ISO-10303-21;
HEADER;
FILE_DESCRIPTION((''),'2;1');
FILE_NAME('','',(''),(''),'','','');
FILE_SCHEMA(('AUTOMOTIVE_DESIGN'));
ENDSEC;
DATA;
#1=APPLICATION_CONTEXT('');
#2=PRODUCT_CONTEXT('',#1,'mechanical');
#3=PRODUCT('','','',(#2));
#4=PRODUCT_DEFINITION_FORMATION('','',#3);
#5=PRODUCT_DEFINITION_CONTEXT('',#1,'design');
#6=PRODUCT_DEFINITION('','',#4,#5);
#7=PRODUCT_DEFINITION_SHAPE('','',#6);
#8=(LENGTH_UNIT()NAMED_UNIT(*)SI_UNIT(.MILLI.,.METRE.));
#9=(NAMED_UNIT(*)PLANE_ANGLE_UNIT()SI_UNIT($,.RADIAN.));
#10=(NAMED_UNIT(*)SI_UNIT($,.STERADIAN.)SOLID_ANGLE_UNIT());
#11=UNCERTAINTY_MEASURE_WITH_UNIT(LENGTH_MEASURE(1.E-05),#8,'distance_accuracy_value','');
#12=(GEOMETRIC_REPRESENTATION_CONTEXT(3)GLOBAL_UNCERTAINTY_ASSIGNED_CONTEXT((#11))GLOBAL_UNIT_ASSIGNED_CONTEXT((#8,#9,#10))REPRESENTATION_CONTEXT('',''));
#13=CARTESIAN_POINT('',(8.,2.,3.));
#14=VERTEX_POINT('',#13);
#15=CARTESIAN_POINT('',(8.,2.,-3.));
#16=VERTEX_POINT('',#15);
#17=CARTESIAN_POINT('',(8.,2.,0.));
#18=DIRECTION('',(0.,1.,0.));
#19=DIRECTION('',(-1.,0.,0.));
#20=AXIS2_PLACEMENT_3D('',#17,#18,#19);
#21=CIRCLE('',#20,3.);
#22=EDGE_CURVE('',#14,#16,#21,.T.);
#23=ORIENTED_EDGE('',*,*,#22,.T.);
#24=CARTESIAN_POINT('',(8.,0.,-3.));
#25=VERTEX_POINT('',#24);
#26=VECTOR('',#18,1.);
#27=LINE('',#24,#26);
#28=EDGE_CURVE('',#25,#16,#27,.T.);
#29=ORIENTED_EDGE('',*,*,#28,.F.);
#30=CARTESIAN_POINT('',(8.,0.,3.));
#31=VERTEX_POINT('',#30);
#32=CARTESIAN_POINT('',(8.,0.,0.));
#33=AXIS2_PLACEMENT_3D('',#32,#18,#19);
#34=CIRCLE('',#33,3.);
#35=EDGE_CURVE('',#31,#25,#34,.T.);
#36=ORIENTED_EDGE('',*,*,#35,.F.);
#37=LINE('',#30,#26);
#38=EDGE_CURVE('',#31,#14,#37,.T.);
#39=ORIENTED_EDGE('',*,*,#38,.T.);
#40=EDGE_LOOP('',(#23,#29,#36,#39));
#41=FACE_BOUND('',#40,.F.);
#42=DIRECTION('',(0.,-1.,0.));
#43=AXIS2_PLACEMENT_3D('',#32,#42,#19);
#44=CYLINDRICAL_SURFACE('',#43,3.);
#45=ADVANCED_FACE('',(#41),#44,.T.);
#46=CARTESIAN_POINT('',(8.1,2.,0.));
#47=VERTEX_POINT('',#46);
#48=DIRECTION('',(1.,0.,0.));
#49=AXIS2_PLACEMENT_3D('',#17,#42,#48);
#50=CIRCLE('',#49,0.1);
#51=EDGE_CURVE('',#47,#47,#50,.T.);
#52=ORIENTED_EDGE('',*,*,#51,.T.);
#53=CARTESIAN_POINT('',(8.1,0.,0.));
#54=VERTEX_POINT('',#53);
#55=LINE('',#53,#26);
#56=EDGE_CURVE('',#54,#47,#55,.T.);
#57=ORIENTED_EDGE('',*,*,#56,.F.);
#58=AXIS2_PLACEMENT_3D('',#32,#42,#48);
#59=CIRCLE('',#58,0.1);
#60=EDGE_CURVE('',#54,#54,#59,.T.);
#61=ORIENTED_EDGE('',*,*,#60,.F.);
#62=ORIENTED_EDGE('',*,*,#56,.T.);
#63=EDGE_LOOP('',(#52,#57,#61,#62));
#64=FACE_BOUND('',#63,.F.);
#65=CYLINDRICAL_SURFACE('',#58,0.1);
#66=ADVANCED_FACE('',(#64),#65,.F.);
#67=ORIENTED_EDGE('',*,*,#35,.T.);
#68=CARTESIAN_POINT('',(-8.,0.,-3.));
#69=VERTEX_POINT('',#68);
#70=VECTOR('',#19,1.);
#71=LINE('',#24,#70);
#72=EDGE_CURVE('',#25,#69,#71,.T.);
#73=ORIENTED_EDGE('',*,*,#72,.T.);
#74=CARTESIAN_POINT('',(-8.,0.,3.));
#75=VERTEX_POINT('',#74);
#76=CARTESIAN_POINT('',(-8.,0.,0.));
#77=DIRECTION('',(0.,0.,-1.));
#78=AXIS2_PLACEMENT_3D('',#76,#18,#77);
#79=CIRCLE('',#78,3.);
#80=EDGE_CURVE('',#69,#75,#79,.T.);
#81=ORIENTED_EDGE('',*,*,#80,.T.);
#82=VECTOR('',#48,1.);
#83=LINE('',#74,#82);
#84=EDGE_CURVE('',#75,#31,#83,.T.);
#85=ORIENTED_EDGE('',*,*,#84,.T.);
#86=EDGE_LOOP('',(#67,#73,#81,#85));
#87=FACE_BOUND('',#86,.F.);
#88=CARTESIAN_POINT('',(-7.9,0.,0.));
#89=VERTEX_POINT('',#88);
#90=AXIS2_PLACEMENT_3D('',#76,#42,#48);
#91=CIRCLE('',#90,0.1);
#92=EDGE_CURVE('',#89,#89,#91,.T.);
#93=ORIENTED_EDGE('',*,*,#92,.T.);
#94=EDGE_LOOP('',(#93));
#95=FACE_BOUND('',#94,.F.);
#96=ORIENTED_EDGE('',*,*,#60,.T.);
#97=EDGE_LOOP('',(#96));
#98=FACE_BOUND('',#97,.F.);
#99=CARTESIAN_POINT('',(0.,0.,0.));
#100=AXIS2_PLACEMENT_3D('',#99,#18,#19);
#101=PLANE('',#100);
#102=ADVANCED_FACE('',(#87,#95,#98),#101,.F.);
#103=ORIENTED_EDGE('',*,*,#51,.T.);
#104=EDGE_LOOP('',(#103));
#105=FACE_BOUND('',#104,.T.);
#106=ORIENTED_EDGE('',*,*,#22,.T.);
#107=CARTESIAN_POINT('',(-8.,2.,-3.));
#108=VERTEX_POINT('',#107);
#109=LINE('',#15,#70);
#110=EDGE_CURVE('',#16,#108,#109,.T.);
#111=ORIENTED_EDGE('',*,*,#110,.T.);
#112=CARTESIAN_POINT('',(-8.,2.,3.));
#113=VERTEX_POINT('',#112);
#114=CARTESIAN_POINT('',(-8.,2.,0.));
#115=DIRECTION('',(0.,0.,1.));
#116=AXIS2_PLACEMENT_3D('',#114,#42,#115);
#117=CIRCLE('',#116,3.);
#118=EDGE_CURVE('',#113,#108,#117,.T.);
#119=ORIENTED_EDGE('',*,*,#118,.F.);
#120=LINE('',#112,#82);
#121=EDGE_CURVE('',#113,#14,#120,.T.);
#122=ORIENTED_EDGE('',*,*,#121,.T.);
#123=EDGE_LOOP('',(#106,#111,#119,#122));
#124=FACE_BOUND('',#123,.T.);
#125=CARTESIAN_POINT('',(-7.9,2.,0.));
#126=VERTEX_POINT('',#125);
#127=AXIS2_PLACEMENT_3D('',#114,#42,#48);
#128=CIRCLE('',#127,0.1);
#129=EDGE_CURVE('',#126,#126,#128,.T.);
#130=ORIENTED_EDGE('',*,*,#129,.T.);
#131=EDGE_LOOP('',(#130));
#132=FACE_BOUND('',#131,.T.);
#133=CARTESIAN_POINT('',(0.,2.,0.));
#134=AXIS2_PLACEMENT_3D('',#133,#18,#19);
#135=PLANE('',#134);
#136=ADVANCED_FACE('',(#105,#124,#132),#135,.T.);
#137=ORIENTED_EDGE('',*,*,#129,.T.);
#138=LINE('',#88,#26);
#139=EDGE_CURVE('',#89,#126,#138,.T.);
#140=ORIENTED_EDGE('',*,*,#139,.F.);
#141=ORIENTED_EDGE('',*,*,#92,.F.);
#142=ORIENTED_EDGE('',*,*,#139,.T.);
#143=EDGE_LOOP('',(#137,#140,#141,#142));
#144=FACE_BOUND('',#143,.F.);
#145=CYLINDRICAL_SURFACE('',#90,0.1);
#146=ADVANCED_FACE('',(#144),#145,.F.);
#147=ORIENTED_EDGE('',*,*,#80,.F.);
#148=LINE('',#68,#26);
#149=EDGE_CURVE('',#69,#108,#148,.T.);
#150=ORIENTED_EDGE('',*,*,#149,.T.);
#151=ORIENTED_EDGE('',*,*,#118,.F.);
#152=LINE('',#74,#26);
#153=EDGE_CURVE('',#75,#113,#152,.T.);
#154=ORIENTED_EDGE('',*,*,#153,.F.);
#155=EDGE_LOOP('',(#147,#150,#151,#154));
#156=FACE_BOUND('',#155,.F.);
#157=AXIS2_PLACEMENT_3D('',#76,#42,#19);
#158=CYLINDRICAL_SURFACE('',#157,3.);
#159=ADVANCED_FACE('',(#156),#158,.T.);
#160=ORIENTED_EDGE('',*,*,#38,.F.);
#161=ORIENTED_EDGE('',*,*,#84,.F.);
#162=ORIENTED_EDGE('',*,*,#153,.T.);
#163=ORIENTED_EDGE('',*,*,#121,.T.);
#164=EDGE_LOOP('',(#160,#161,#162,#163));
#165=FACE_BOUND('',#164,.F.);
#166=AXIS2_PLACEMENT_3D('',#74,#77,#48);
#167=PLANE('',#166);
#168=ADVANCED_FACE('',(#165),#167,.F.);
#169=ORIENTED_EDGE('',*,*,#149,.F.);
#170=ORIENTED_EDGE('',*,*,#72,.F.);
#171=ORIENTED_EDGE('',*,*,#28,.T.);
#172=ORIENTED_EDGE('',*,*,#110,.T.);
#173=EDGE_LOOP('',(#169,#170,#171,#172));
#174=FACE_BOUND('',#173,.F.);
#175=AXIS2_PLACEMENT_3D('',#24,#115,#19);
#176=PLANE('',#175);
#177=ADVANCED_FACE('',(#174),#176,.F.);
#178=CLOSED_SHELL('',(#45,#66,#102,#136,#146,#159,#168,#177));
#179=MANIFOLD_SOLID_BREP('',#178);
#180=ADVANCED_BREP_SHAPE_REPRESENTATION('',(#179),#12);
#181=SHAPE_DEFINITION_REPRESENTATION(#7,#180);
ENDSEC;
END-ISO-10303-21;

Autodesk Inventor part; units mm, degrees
ref_plane "YZ Plane" through (0, 0, 0) normal (1, 0, 0) x (0, 1, 0)
ref_plane "XZ Plane" through (0, 0, 0) normal (0, 1, 0) x (-1, 0, 0)
ref_plane "XY Plane" through (0, 0, 0) normal (0, 0, 1) x (1, 0, 0)
sketch "Sketch1" plane through (0, 0, 0) normal (0, 1, 0) x (-1, 0, 0)
  line L0 (-8, -3) -> (8, -3)
  line L1 (8, -3) -> (8, 3)
  line L2 (8, 3) -> (-8, 3)
  line L3 (-8, 3) -> (-8, -3)
  line L4 (-8, -3) -> (8, 3) construction
  line L5 (8, -3) -> (-8, 3) construction
  circle A0 centre (8, 0) radius 3
  circle A1 centre (-8, 0) radius 3
  point P0 (0, 0)
  dimension "d0" = 16
  dimension "d1" = 6
  dimension "d2" = 6
  dimension "d3" = 6
extrude "Extrusion1" add sketch "Sketch1" along normal blind 2
sketch "Sketch2" plane through (0, 2, 0) normal (0, 1, 0) x (1, 0, 0)
  arc A0 (8, -3) -> (8, 3) centre (8, 0) ccw projected
  arc A1 (-8, 3) -> (-8, -3) centre (-8, 0) ccw projected
  circle A2 centre (-8, 0) radius 1.5
  circle A3 centre (8, 0) radius 1.5
  point P0 (0, 0)
  dimension "d6" = 3
  dimension "d7" = 3
extrude "Extrusion2" cut sketch "Sketch2" against normal blind 2
sketch "Sketch3" plane through (0, 0, 0) normal (0, -1, 0) x (1, 0, 0)
  circle A0 centre (-8, 0) radius 1.5 projected
  circle A1 centre (8, 0) radius 1.5 projected
  arc A2 (8, -3) -> (8, 3) centre (8, 0) ccw projected
  arc A3 (-8, 3) -> (-8, -3) centre (-8, 0) ccw projected
  circle A4 centre (-8, 0) radius 0.1
  circle A5 centre (8, 0) radius 0.1
  point P0 (0, 0)
  dimension "d10" = 0.2
  dimension "d11" = 0.2
extrude "Extrusion3" add sketch "Sketch3" against normal blind 2
properties part number "tahlo5(b)_sablona"
